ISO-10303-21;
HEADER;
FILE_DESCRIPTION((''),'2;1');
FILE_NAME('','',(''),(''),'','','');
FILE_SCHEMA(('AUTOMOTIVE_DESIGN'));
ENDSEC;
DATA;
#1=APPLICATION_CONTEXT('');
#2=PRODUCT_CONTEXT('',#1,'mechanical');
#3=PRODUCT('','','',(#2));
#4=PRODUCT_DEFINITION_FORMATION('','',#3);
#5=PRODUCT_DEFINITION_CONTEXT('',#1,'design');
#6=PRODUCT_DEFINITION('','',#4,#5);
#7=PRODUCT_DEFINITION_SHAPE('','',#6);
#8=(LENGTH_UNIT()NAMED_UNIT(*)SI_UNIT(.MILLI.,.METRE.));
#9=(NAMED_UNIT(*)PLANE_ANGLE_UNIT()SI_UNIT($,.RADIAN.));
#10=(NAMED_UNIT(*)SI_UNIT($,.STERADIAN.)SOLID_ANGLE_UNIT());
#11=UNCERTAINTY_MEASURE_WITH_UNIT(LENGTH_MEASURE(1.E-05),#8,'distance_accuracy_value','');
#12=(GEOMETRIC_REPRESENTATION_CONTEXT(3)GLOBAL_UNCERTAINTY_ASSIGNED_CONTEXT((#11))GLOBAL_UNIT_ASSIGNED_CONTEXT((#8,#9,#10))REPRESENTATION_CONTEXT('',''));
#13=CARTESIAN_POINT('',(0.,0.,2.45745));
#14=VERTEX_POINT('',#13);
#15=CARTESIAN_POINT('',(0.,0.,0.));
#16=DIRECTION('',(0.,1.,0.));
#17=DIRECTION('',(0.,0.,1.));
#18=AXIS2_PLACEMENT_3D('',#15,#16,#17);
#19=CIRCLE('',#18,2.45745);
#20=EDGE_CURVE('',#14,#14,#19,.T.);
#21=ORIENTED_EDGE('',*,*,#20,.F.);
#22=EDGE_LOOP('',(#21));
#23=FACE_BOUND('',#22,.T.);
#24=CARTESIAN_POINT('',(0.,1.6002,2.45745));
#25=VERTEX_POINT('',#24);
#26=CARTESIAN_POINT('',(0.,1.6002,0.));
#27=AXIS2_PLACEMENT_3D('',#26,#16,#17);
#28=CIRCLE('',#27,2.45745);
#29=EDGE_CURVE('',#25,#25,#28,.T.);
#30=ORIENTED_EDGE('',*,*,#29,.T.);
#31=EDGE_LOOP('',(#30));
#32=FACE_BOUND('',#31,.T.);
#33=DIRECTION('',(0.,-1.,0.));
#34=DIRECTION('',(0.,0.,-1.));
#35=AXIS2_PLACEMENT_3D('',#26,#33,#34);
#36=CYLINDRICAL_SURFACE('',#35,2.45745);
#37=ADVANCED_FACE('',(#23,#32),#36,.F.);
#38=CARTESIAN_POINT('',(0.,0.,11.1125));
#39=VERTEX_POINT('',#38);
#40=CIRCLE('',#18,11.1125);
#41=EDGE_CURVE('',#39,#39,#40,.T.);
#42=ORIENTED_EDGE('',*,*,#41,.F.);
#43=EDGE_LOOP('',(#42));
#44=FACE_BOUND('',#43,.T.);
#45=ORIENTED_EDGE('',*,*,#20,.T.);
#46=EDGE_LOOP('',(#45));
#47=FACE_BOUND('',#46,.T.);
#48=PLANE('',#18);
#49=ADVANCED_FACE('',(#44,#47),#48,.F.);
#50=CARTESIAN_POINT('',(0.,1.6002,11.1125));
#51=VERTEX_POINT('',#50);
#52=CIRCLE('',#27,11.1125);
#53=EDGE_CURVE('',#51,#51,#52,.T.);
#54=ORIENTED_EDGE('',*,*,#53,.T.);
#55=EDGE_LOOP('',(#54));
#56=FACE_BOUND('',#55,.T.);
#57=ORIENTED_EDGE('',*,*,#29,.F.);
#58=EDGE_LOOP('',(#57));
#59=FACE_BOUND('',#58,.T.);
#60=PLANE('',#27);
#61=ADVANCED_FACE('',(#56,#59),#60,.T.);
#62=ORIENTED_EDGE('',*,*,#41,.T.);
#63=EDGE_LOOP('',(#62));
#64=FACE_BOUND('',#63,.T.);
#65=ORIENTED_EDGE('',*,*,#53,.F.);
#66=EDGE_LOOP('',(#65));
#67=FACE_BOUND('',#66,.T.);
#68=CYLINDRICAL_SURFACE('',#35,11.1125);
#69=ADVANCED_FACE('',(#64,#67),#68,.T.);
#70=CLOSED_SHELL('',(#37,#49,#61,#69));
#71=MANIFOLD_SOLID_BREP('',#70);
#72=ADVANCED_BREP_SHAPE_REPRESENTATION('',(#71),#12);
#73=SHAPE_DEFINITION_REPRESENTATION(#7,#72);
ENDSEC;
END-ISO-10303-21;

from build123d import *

# Parameters (mm, degrees)
SKETCH2_R          = 11.1125
SKETCH2_R_2        = 2.45745
BASE_EXTRUDE_DEPTH = 1.6002


with BuildPart() as part:
    # Sketch2 → Base-Extrude (new body)
    with BuildSketch(Plane(origin=(0, 0, 0), x_dir=(1, 0, 0), z_dir=(0, 1, 0))):
        Circle(SKETCH2_R)
        Circle(SKETCH2_R_2, mode=Mode.SUBTRACT)
    extrude(amount=BASE_EXTRUDE_DEPTH)


solid = part.part
